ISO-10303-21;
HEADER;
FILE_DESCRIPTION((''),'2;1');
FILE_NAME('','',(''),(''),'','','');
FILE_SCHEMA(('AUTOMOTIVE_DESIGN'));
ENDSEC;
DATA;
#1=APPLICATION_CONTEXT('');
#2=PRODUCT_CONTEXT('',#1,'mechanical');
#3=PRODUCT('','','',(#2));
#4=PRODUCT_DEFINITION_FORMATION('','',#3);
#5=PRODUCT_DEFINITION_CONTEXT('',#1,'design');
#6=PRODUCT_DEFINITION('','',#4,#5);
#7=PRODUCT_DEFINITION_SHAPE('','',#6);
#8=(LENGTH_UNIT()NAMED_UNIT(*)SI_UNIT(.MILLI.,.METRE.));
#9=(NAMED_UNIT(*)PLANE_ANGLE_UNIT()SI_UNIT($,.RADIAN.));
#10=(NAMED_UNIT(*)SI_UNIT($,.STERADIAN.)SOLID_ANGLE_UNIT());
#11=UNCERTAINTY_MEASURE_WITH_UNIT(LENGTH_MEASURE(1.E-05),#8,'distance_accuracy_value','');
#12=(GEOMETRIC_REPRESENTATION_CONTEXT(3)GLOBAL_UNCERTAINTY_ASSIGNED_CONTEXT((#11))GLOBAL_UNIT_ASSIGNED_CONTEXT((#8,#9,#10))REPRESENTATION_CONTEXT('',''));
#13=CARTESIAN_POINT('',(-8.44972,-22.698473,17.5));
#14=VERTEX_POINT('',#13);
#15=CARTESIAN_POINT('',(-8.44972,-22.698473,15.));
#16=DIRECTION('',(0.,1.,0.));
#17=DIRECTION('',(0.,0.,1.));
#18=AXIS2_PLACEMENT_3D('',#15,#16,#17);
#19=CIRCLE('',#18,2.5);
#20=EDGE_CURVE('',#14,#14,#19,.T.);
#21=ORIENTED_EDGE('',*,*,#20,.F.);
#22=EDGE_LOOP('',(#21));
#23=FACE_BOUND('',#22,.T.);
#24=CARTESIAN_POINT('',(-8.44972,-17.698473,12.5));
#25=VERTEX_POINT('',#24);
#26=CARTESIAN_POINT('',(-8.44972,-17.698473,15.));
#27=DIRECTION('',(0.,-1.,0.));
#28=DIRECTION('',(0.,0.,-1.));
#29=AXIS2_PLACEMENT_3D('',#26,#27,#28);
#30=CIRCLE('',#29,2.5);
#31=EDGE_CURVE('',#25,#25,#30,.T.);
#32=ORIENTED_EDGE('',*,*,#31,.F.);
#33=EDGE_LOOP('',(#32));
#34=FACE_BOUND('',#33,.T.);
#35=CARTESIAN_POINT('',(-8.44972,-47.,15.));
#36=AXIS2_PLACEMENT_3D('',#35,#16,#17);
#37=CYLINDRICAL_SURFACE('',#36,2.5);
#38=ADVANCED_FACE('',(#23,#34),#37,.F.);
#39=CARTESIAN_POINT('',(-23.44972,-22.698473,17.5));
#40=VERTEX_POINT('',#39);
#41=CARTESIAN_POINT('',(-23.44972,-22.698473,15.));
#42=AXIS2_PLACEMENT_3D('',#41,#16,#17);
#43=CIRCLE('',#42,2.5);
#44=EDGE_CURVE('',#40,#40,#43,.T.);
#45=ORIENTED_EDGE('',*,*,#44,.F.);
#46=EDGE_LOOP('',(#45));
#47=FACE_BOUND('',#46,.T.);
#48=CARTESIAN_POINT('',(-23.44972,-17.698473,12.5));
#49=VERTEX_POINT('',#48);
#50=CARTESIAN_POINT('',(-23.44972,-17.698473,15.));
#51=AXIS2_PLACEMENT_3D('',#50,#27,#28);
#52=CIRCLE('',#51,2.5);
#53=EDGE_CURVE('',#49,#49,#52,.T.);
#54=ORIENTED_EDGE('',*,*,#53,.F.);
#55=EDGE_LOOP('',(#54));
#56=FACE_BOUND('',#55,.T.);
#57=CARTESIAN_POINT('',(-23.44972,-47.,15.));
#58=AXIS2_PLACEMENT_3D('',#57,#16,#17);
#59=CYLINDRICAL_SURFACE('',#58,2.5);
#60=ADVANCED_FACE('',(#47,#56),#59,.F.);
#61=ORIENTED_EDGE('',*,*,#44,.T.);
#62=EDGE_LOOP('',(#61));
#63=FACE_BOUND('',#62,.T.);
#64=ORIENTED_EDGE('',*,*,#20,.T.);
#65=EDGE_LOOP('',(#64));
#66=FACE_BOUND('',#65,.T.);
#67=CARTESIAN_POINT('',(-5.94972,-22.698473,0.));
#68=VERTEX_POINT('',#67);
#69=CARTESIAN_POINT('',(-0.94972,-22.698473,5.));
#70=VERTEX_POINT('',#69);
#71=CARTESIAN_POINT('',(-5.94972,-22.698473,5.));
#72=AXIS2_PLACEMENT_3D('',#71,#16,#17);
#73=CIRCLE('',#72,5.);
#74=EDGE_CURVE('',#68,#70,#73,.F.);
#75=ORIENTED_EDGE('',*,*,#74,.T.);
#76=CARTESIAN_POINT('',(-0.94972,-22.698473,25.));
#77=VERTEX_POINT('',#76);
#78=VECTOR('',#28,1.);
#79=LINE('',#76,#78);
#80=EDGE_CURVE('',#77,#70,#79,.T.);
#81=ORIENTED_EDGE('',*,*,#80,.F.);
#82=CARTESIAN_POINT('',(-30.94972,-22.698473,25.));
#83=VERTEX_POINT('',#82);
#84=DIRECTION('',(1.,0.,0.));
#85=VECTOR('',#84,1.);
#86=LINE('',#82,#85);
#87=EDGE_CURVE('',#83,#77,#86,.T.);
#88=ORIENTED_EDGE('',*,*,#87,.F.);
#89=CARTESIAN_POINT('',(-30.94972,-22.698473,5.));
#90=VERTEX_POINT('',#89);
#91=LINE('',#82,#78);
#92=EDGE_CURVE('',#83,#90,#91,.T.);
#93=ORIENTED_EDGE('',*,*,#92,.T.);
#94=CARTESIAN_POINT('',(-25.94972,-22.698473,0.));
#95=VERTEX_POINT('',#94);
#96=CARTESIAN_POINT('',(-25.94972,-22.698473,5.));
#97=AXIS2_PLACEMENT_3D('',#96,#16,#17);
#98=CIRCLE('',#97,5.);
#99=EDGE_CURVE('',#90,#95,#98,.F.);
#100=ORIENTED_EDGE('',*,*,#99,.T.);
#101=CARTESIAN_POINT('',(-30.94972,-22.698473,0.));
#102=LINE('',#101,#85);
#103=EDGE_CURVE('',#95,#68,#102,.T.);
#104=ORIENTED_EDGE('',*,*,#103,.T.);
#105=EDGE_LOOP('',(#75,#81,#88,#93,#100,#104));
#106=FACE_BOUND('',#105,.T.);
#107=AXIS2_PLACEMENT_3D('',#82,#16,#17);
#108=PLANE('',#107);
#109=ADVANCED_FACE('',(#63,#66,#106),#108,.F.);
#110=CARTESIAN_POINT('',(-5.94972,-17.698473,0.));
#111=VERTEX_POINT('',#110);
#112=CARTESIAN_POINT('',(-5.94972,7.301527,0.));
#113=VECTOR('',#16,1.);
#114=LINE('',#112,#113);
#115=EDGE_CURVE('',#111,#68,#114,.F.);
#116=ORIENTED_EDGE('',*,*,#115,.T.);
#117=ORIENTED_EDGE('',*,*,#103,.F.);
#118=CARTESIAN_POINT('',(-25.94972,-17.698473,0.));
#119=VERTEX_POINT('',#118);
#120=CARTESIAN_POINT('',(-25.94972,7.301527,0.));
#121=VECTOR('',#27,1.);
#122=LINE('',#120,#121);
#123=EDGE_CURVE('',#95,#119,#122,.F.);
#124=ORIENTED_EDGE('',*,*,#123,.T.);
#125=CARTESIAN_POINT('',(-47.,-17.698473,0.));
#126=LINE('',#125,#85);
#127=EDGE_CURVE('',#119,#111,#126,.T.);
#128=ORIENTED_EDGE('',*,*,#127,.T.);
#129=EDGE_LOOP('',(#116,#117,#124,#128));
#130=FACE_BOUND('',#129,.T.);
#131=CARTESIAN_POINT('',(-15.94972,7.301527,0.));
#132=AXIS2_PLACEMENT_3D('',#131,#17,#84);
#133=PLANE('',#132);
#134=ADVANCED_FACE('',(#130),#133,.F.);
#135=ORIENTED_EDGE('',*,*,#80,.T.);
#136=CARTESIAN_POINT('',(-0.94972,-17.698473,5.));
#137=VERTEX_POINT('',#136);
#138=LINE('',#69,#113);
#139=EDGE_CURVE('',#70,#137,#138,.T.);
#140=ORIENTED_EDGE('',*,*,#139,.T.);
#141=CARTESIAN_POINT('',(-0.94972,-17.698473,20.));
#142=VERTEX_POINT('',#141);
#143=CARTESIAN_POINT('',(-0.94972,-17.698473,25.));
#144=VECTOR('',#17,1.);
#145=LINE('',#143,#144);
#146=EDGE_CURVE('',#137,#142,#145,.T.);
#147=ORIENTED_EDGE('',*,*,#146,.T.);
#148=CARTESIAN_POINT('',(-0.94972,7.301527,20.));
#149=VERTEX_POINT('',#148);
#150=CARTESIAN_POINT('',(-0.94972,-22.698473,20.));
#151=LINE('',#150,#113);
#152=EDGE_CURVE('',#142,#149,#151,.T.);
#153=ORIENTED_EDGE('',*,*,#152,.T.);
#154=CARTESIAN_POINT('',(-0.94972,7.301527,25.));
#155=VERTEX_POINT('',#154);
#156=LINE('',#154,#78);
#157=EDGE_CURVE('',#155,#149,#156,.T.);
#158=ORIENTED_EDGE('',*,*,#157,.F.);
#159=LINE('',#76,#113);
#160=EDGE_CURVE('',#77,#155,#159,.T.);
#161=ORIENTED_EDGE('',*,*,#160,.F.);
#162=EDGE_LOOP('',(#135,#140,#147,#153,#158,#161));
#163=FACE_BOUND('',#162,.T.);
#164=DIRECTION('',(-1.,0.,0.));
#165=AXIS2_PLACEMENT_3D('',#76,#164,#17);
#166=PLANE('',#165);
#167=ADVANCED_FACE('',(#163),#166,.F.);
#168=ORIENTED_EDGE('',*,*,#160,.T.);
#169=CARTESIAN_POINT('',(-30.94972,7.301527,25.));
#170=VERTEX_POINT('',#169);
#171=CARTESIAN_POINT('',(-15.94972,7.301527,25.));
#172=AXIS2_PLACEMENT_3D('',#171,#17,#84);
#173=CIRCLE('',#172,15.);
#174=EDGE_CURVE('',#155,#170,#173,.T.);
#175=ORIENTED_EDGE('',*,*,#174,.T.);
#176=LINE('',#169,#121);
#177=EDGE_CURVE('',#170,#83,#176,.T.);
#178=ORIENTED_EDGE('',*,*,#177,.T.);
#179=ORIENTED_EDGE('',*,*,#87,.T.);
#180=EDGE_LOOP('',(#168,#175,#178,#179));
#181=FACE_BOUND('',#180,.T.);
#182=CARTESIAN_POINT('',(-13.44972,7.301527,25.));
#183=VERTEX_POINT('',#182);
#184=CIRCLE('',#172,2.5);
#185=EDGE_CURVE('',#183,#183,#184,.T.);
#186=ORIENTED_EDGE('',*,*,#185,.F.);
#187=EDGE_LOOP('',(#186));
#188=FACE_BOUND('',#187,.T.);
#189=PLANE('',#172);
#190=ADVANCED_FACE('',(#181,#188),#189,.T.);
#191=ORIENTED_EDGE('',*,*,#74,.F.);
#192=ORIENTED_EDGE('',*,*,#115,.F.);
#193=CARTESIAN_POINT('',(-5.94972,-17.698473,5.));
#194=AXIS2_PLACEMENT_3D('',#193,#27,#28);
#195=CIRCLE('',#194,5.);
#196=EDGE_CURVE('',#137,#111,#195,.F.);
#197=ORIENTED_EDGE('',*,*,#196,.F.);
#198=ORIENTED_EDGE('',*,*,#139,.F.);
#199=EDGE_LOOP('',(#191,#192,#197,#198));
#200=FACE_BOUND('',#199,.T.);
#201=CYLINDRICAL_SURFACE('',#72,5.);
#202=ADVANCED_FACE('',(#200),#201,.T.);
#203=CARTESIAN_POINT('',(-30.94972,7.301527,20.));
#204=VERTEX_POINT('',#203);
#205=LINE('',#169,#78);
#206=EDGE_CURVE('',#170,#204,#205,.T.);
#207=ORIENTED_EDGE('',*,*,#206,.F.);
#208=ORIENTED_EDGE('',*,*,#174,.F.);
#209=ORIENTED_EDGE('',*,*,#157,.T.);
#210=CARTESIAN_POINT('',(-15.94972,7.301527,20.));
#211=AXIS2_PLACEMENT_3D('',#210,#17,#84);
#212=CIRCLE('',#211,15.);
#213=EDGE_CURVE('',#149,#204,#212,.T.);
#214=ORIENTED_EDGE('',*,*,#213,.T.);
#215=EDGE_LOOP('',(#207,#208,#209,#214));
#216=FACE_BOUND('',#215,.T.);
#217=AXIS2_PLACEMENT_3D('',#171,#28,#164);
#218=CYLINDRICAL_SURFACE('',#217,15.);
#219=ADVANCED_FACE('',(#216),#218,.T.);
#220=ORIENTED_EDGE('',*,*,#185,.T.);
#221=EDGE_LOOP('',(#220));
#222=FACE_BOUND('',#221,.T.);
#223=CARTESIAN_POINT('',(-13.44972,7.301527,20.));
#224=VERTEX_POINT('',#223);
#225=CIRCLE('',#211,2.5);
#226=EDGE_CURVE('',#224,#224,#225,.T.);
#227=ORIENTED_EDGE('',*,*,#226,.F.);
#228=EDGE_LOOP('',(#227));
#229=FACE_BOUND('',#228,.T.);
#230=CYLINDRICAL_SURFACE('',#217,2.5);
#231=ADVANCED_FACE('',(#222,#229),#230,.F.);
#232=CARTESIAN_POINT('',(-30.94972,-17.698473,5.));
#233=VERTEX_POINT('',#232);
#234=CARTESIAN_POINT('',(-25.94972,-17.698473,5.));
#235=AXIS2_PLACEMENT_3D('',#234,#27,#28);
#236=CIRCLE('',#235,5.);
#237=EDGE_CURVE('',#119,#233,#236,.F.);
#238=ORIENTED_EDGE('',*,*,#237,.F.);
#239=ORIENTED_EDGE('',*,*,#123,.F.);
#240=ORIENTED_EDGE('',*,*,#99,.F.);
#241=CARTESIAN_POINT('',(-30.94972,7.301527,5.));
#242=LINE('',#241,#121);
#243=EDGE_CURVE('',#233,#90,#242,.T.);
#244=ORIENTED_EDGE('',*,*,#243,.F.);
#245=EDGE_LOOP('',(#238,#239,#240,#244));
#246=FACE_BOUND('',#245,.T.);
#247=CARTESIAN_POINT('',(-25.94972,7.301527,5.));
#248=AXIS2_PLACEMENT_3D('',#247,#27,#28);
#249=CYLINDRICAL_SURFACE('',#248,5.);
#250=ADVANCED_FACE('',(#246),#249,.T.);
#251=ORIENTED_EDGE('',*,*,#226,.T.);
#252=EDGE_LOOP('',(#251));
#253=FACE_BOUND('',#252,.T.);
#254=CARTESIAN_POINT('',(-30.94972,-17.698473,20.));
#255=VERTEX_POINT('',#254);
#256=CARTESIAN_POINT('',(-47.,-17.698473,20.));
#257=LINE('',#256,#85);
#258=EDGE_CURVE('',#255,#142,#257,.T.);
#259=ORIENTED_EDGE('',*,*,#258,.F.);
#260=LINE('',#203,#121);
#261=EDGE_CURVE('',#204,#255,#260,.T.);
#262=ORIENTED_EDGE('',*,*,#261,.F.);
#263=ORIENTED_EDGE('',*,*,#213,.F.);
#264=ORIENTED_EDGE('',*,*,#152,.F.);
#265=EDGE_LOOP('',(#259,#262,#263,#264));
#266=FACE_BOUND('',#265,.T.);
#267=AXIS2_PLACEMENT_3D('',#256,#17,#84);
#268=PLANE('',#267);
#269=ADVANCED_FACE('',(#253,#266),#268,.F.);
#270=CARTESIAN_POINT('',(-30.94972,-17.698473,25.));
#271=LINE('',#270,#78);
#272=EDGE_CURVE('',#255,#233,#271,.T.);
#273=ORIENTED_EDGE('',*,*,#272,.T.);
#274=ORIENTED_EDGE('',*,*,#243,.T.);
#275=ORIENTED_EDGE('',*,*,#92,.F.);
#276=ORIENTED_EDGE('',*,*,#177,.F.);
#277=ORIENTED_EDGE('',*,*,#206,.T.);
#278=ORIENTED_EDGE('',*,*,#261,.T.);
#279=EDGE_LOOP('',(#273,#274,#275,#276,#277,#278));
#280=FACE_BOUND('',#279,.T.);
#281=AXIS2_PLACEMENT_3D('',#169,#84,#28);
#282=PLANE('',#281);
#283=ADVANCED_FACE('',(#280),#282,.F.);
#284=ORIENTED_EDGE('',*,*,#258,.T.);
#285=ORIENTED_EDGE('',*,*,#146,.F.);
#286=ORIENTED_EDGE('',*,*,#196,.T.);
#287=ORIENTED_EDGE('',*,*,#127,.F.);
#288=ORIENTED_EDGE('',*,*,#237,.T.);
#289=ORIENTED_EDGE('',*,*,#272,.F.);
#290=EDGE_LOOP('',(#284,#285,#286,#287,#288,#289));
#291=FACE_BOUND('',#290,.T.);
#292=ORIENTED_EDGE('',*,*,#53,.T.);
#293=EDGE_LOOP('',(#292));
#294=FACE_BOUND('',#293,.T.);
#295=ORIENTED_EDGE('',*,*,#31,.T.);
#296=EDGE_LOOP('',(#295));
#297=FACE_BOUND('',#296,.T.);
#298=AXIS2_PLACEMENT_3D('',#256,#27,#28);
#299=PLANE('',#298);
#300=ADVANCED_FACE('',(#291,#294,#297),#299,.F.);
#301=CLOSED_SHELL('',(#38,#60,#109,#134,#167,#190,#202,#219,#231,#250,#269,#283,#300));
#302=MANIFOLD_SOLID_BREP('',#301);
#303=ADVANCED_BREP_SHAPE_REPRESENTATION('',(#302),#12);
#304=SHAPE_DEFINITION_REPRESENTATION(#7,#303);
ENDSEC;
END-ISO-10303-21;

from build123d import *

# Parameters (mm, degrees)
IZIM1_R                     = 2.5
Y_KSEKLIK_EKSTR_ZYON1_DEPTH = 25
IZIM2_W                     = 20
IZIM2_H                     = 40
KES_EKSTR_ZYON1_DEPTH       = 47
RADYUS1_R                   = 5
IZIM3_R                     = 2.5
KES_EKSTR_ZYON3_DEPTH       = 47


with BuildPart() as part:
    # Çizim1 → Yükseklik-Ekstrüzyon1 (new body)
    with BuildSketch(Plane.XY):
        with BuildLine():
            Line((-30.949719985, 7.301527432), (-30.949719985, -22.698472568))
            Line((-30.949719985, -22.698472568), (-0.949719985, -22.698472568))
            Line((-0.949719985, -22.698472568), (-0.949719985, 7.301527432))
            ThreePointArc((-0.949719985, 7.301527432), (-15.949719985, 22.301527432), (-30.949719985, 7.301527432))
        make_face()
        with Locations((-15.949719985, 7.301527432)):
            Circle(IZIM1_R, mode=Mode.SUBTRACT)
    extrude(amount=Y_KSEKLIK_EKSTR_ZYON1_DEPTH)

    # Çizim2 → Kes-Ekstrüzyon1 (cut)
    with BuildSketch(Plane(origin=(0, 0, 0), x_dir=(0, 0, -1), z_dir=(1, 0, 0))):
        with Locations((-10, 2.301527432)):
            Rectangle(IZIM2_W, IZIM2_H)
    extrude(amount=-KES_EKSTR_ZYON1_DEPTH, mode=Mode.SUBTRACT)

    # Radyus1
    radyus1_edges = [part.edges().sort_by_distance(p)[0] for p in [
        (-30.949719985, -20.198472568, 0),
        (-0.949719985, -20.198472568, 0),
    ]]
    fillet(radyus1_edges, radius=RADYUS1_R)

    # Çizim3 → Kes-Ekstrüzyon3 (cut)
    with BuildSketch(Plane(origin=(0, 0, 0), x_dir=(1, 0, 0), z_dir=(0, 1, 0))):
        with Locations(Location((-23.449719985, -15, 0), (0, 0, 270))):
            Circle(IZIM3_R)
        with Locations(Location((-8.449719985, -15, 0), (0, 0, 270))):
            Circle(IZIM3_R)
    extrude(amount=-KES_EKSTR_ZYON3_DEPTH, mode=Mode.SUBTRACT)


solid = part.part
